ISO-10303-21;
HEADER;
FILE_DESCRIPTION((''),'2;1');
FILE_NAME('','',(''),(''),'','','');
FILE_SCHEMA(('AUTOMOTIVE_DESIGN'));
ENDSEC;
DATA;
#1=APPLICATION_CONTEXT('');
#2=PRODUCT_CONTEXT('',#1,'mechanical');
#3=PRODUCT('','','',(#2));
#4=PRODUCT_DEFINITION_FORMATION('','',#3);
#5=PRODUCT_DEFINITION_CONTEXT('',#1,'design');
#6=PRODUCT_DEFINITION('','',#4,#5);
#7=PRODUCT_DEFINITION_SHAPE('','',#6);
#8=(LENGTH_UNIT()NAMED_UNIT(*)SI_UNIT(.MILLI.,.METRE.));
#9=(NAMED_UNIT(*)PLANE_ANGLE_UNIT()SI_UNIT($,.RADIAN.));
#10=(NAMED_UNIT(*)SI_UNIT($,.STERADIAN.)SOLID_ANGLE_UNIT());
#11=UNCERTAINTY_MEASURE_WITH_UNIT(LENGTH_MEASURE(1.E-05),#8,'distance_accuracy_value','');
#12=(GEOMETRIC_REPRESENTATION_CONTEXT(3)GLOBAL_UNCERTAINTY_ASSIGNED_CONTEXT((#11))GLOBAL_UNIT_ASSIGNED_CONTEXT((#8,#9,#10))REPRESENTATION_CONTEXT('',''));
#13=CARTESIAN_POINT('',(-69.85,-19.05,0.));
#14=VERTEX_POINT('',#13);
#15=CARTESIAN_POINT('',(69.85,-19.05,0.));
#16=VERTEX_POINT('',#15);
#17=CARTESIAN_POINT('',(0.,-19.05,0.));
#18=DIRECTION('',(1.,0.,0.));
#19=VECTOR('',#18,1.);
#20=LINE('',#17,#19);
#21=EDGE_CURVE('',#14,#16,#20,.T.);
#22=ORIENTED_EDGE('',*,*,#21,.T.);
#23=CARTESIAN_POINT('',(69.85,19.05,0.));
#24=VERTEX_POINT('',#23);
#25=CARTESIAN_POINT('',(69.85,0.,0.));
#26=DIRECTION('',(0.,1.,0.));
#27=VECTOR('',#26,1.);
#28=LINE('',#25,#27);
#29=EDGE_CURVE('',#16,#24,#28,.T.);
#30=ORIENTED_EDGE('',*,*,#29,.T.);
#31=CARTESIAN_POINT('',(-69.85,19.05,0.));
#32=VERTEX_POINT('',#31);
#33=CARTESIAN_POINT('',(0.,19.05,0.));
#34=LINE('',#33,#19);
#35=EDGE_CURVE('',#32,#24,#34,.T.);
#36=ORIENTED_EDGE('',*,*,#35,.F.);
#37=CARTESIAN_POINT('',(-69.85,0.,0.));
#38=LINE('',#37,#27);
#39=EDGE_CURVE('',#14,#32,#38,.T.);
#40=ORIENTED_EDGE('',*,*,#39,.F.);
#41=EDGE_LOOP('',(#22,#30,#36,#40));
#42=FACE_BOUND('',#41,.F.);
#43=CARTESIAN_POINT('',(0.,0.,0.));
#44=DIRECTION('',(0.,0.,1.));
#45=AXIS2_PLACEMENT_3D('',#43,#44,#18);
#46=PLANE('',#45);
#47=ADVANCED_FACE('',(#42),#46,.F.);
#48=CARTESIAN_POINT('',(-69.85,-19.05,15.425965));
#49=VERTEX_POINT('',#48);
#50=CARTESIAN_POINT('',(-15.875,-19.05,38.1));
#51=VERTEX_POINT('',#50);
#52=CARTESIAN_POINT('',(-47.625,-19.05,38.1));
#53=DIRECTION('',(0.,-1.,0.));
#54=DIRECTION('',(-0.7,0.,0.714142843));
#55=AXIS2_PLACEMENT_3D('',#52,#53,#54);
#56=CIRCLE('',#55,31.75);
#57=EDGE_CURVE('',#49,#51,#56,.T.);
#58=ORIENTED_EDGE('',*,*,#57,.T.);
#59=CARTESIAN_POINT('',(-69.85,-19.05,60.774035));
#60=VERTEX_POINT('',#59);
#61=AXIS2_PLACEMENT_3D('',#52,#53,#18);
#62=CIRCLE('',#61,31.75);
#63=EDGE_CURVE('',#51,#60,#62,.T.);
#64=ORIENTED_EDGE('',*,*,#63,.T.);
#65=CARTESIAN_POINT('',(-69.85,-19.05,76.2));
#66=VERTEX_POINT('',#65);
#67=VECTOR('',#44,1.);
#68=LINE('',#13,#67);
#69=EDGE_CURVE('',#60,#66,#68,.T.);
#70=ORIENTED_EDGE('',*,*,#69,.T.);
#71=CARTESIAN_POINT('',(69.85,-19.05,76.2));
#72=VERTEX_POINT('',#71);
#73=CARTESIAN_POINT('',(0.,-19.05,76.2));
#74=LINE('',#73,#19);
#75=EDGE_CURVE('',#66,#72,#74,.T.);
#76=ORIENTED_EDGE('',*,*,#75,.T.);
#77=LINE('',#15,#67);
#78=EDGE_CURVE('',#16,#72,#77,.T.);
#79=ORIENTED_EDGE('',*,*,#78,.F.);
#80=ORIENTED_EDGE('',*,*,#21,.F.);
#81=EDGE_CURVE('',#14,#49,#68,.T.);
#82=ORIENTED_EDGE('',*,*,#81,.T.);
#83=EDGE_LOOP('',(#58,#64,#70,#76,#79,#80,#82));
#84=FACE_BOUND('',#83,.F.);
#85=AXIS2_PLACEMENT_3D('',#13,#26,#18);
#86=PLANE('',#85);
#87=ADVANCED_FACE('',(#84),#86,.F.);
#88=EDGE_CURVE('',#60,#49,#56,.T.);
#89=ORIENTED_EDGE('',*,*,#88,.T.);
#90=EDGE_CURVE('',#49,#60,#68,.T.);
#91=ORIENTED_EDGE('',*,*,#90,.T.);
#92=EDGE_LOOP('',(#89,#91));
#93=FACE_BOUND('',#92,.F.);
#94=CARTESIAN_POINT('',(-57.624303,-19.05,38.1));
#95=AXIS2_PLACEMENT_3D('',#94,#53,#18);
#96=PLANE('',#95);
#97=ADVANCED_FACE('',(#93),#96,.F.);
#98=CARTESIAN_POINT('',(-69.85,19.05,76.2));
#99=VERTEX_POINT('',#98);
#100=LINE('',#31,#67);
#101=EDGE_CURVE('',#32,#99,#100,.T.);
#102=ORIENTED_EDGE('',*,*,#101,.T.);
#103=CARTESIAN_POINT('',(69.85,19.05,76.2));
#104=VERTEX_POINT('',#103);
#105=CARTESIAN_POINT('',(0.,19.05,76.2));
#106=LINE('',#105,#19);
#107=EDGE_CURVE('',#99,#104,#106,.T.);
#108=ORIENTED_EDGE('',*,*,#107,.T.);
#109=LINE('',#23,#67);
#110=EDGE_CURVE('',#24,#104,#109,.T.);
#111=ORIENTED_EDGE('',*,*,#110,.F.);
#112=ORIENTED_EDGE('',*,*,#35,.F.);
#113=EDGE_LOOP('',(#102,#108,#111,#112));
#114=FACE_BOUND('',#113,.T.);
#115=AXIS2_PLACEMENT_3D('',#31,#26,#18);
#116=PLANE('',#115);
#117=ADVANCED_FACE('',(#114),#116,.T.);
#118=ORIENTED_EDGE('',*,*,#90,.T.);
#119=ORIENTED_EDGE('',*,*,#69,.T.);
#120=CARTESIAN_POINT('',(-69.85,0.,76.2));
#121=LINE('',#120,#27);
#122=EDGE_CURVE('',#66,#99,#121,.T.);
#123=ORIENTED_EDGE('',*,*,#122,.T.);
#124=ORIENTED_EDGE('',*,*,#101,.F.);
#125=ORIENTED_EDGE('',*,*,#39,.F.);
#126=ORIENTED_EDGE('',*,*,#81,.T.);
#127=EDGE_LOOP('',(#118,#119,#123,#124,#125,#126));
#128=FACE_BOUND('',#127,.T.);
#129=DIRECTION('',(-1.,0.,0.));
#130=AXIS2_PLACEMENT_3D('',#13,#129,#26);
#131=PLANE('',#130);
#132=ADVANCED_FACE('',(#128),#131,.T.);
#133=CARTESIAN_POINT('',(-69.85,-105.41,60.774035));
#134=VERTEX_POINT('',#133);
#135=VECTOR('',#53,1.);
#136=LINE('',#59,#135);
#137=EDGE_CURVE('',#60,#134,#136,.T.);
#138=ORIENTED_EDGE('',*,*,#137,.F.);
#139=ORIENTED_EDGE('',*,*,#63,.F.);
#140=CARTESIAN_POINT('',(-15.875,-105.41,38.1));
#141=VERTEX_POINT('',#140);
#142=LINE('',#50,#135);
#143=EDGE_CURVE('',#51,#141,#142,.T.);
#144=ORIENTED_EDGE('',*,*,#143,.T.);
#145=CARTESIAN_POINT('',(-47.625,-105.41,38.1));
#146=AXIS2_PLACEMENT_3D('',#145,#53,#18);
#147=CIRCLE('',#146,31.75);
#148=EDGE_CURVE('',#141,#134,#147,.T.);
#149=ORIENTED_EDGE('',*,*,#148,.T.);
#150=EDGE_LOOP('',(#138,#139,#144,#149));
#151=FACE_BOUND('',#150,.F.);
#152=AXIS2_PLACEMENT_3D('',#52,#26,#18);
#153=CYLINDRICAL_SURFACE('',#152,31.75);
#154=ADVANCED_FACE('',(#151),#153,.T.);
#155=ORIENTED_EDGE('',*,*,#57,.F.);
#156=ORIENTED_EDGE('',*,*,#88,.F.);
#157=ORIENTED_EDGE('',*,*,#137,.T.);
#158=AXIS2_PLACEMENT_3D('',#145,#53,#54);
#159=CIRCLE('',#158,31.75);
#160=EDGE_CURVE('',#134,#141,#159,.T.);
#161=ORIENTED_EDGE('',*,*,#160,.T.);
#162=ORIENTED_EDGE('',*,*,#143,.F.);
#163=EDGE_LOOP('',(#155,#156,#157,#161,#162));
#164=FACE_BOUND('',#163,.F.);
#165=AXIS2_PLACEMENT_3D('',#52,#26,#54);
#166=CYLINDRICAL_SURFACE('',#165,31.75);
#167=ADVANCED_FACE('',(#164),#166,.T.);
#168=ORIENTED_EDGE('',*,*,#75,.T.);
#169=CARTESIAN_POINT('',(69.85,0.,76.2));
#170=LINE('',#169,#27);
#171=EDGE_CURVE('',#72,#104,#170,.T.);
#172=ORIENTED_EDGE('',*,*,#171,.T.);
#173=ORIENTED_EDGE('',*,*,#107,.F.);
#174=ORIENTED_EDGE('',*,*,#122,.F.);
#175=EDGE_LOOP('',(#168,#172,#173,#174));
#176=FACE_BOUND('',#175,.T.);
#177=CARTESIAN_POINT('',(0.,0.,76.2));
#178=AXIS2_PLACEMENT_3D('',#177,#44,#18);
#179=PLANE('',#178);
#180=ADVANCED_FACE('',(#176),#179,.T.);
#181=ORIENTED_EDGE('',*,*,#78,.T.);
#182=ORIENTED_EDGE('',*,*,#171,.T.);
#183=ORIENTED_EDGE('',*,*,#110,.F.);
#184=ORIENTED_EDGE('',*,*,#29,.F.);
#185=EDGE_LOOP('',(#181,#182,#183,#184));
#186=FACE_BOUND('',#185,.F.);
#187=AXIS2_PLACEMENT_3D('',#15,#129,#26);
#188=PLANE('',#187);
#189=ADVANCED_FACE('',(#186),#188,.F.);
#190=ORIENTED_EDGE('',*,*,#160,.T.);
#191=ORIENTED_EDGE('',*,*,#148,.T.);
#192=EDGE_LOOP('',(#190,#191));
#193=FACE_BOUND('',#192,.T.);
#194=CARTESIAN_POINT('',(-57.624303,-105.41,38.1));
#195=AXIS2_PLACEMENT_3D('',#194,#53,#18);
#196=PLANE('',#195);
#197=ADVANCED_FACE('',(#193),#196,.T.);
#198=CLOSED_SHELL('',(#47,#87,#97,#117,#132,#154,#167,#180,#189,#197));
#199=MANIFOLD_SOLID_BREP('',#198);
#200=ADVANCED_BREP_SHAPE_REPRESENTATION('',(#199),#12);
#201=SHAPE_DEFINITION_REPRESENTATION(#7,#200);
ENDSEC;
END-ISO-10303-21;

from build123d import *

# Parameters (mm, degrees)
F0_W     = 139.7
F0_H     = 38.1
F1_DEPTH = 76.2
F3_DEPTH = 86.36


with BuildPart() as f1:
    # F0 (on Top) → F1 (new body)
    with BuildSketch(Plane.XY):
        Rectangle(F0_W, F0_H)
    extrude(amount=F1_DEPTH)

    # F2 (on face) → F3 (join)
    with BuildSketch(Plane.XZ.offset(19.05)):
        with BuildLine():
            Line((-47.625, 6.35), (-47.625, 69.85))
            ThreePointArc((-47.625, 69.85), (-59.6283720361, 67.4935632369), (-69.85, 60.7740352606))
            Line((-69.85, 60.7740352606), (-69.85, 15.4259647394))
            ThreePointArc((-69.85, 15.4259647394), (-59.6283720361, 8.7064367631), (-47.625, 6.35))
        make_face()
        with BuildLine():
            ThreePointArc((-15.875, 38.1), (-25.1743596973, 60.5506403027), (-47.625, 69.85))
            Line((-47.625, 69.85), (-47.625, 6.35))
            ThreePointArc((-47.625, 6.35), (-25.1743596973, 15.6493596973), (-15.875, 38.1))
        make_face()
        with BuildLine():
            Line((-69.85, 15.4259647394), (-69.85, 60.7740352606))
            ThreePointArc((-69.85, 60.7740352606), (-79.375, 38.1), (-69.85, 15.4259647394))
        make_face()
    extrude(amount=F3_DEPTH)


solid = f1.part
